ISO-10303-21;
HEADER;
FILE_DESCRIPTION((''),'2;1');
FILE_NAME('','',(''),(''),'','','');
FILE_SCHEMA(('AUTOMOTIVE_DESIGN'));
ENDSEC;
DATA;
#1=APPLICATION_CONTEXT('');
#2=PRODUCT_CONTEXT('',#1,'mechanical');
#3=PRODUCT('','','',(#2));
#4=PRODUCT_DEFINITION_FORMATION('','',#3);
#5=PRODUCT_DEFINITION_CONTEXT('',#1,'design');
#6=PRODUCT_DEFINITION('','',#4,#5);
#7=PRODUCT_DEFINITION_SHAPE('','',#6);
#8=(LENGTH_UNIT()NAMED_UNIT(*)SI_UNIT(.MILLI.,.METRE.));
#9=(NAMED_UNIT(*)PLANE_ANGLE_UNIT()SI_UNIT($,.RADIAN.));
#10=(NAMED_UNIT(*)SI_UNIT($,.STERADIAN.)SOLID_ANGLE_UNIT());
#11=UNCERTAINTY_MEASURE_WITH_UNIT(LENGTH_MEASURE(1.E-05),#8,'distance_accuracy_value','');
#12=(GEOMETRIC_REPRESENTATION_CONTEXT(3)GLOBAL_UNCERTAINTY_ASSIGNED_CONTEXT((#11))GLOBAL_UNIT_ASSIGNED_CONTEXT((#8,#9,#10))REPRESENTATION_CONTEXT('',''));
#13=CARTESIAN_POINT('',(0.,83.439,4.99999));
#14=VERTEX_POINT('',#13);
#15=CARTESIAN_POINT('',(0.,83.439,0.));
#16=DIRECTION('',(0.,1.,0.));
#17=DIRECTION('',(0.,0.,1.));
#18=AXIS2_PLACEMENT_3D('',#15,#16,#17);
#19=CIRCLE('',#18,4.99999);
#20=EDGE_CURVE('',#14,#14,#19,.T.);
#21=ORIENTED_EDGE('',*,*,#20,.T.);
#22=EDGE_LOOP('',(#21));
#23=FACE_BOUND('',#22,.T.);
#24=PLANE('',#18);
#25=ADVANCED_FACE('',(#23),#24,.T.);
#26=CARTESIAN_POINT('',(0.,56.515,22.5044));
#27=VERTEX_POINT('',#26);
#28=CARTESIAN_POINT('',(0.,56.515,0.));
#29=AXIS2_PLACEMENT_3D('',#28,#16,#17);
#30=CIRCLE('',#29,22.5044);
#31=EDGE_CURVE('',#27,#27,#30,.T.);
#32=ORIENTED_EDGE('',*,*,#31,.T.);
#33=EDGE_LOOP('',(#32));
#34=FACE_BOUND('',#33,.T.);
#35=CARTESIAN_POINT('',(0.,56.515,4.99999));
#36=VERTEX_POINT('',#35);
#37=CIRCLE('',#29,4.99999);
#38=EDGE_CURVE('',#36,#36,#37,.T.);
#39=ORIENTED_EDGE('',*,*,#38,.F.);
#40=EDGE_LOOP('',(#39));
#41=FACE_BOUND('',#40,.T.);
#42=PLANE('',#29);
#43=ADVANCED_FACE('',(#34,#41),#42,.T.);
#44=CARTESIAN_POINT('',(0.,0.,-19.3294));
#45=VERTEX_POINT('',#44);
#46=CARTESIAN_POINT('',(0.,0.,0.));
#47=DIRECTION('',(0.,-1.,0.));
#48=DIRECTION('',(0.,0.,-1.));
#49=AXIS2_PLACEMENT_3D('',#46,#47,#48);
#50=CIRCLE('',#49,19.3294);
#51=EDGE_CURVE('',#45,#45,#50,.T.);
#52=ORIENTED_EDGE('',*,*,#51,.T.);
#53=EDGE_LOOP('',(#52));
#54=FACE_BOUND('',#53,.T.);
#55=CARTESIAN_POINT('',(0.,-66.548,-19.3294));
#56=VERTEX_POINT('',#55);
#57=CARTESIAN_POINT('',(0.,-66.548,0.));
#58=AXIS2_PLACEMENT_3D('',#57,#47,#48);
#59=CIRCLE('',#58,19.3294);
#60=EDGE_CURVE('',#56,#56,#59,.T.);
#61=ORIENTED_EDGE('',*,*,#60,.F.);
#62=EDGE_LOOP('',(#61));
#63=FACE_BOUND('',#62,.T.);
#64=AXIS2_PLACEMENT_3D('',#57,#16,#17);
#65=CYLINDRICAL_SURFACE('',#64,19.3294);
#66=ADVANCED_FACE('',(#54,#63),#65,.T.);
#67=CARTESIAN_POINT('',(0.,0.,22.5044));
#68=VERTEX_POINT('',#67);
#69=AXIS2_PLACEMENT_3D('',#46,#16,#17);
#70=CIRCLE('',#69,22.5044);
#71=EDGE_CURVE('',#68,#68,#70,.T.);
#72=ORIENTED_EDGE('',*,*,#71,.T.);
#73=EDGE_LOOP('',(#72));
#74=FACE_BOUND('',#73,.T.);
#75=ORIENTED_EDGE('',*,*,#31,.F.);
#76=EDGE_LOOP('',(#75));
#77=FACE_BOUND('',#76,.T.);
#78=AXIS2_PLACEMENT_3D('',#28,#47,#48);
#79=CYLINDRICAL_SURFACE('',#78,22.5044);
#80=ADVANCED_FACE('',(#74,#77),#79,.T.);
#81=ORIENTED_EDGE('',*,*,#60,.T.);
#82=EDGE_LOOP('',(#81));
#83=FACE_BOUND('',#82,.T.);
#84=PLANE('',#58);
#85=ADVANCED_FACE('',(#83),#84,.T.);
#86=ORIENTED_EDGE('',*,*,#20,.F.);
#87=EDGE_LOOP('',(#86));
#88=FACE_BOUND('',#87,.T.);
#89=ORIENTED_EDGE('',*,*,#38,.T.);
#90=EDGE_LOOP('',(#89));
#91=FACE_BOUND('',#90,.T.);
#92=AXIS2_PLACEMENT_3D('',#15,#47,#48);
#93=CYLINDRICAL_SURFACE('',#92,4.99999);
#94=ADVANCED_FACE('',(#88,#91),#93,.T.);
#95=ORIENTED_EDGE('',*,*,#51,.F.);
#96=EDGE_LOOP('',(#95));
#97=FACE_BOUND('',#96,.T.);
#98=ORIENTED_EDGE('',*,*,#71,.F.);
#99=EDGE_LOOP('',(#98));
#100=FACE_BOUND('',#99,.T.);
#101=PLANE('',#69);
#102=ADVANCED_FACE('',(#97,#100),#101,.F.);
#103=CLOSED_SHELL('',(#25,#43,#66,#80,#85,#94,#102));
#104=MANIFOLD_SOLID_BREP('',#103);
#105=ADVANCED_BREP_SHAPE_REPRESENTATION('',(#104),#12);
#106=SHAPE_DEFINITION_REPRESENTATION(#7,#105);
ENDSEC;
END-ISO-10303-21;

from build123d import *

# Parameters (mm, degrees)
SKETCH1_R           = 22.5044
BOSS_EXTRUDE1_DEPTH = 56.515
SKETCH2_R           = 4.99999
BOSS_EXTRUDE2_DEPTH = 26.924
SKETCH3_R           = 19.3294
BOSS_EXTRUDE3_DEPTH = 66.548


with BuildPart() as part:
    # Sketch1 → Boss-Extrude1 (new body)
    with BuildSketch(Plane(origin=(0, 0, 0), x_dir=(1, 0, 0), z_dir=(0, 1, 0))):
        Circle(SKETCH1_R)
    extrude(amount=BOSS_EXTRUDE1_DEPTH)

    # Sketch2 → Boss-Extrude2 (add)
    with BuildSketch(Plane(origin=(0, 56.515, 0), x_dir=(1, 0, 0), z_dir=(0, 1, 0))):
        Circle(SKETCH2_R)
    extrude(amount=BOSS_EXTRUDE2_DEPTH)

    # Sketch3 → Boss-Extrude3 (add)
    with BuildSketch(Plane.XZ):
        Circle(SKETCH3_R)
    extrude(amount=BOSS_EXTRUDE3_DEPTH)


solid = part.part
